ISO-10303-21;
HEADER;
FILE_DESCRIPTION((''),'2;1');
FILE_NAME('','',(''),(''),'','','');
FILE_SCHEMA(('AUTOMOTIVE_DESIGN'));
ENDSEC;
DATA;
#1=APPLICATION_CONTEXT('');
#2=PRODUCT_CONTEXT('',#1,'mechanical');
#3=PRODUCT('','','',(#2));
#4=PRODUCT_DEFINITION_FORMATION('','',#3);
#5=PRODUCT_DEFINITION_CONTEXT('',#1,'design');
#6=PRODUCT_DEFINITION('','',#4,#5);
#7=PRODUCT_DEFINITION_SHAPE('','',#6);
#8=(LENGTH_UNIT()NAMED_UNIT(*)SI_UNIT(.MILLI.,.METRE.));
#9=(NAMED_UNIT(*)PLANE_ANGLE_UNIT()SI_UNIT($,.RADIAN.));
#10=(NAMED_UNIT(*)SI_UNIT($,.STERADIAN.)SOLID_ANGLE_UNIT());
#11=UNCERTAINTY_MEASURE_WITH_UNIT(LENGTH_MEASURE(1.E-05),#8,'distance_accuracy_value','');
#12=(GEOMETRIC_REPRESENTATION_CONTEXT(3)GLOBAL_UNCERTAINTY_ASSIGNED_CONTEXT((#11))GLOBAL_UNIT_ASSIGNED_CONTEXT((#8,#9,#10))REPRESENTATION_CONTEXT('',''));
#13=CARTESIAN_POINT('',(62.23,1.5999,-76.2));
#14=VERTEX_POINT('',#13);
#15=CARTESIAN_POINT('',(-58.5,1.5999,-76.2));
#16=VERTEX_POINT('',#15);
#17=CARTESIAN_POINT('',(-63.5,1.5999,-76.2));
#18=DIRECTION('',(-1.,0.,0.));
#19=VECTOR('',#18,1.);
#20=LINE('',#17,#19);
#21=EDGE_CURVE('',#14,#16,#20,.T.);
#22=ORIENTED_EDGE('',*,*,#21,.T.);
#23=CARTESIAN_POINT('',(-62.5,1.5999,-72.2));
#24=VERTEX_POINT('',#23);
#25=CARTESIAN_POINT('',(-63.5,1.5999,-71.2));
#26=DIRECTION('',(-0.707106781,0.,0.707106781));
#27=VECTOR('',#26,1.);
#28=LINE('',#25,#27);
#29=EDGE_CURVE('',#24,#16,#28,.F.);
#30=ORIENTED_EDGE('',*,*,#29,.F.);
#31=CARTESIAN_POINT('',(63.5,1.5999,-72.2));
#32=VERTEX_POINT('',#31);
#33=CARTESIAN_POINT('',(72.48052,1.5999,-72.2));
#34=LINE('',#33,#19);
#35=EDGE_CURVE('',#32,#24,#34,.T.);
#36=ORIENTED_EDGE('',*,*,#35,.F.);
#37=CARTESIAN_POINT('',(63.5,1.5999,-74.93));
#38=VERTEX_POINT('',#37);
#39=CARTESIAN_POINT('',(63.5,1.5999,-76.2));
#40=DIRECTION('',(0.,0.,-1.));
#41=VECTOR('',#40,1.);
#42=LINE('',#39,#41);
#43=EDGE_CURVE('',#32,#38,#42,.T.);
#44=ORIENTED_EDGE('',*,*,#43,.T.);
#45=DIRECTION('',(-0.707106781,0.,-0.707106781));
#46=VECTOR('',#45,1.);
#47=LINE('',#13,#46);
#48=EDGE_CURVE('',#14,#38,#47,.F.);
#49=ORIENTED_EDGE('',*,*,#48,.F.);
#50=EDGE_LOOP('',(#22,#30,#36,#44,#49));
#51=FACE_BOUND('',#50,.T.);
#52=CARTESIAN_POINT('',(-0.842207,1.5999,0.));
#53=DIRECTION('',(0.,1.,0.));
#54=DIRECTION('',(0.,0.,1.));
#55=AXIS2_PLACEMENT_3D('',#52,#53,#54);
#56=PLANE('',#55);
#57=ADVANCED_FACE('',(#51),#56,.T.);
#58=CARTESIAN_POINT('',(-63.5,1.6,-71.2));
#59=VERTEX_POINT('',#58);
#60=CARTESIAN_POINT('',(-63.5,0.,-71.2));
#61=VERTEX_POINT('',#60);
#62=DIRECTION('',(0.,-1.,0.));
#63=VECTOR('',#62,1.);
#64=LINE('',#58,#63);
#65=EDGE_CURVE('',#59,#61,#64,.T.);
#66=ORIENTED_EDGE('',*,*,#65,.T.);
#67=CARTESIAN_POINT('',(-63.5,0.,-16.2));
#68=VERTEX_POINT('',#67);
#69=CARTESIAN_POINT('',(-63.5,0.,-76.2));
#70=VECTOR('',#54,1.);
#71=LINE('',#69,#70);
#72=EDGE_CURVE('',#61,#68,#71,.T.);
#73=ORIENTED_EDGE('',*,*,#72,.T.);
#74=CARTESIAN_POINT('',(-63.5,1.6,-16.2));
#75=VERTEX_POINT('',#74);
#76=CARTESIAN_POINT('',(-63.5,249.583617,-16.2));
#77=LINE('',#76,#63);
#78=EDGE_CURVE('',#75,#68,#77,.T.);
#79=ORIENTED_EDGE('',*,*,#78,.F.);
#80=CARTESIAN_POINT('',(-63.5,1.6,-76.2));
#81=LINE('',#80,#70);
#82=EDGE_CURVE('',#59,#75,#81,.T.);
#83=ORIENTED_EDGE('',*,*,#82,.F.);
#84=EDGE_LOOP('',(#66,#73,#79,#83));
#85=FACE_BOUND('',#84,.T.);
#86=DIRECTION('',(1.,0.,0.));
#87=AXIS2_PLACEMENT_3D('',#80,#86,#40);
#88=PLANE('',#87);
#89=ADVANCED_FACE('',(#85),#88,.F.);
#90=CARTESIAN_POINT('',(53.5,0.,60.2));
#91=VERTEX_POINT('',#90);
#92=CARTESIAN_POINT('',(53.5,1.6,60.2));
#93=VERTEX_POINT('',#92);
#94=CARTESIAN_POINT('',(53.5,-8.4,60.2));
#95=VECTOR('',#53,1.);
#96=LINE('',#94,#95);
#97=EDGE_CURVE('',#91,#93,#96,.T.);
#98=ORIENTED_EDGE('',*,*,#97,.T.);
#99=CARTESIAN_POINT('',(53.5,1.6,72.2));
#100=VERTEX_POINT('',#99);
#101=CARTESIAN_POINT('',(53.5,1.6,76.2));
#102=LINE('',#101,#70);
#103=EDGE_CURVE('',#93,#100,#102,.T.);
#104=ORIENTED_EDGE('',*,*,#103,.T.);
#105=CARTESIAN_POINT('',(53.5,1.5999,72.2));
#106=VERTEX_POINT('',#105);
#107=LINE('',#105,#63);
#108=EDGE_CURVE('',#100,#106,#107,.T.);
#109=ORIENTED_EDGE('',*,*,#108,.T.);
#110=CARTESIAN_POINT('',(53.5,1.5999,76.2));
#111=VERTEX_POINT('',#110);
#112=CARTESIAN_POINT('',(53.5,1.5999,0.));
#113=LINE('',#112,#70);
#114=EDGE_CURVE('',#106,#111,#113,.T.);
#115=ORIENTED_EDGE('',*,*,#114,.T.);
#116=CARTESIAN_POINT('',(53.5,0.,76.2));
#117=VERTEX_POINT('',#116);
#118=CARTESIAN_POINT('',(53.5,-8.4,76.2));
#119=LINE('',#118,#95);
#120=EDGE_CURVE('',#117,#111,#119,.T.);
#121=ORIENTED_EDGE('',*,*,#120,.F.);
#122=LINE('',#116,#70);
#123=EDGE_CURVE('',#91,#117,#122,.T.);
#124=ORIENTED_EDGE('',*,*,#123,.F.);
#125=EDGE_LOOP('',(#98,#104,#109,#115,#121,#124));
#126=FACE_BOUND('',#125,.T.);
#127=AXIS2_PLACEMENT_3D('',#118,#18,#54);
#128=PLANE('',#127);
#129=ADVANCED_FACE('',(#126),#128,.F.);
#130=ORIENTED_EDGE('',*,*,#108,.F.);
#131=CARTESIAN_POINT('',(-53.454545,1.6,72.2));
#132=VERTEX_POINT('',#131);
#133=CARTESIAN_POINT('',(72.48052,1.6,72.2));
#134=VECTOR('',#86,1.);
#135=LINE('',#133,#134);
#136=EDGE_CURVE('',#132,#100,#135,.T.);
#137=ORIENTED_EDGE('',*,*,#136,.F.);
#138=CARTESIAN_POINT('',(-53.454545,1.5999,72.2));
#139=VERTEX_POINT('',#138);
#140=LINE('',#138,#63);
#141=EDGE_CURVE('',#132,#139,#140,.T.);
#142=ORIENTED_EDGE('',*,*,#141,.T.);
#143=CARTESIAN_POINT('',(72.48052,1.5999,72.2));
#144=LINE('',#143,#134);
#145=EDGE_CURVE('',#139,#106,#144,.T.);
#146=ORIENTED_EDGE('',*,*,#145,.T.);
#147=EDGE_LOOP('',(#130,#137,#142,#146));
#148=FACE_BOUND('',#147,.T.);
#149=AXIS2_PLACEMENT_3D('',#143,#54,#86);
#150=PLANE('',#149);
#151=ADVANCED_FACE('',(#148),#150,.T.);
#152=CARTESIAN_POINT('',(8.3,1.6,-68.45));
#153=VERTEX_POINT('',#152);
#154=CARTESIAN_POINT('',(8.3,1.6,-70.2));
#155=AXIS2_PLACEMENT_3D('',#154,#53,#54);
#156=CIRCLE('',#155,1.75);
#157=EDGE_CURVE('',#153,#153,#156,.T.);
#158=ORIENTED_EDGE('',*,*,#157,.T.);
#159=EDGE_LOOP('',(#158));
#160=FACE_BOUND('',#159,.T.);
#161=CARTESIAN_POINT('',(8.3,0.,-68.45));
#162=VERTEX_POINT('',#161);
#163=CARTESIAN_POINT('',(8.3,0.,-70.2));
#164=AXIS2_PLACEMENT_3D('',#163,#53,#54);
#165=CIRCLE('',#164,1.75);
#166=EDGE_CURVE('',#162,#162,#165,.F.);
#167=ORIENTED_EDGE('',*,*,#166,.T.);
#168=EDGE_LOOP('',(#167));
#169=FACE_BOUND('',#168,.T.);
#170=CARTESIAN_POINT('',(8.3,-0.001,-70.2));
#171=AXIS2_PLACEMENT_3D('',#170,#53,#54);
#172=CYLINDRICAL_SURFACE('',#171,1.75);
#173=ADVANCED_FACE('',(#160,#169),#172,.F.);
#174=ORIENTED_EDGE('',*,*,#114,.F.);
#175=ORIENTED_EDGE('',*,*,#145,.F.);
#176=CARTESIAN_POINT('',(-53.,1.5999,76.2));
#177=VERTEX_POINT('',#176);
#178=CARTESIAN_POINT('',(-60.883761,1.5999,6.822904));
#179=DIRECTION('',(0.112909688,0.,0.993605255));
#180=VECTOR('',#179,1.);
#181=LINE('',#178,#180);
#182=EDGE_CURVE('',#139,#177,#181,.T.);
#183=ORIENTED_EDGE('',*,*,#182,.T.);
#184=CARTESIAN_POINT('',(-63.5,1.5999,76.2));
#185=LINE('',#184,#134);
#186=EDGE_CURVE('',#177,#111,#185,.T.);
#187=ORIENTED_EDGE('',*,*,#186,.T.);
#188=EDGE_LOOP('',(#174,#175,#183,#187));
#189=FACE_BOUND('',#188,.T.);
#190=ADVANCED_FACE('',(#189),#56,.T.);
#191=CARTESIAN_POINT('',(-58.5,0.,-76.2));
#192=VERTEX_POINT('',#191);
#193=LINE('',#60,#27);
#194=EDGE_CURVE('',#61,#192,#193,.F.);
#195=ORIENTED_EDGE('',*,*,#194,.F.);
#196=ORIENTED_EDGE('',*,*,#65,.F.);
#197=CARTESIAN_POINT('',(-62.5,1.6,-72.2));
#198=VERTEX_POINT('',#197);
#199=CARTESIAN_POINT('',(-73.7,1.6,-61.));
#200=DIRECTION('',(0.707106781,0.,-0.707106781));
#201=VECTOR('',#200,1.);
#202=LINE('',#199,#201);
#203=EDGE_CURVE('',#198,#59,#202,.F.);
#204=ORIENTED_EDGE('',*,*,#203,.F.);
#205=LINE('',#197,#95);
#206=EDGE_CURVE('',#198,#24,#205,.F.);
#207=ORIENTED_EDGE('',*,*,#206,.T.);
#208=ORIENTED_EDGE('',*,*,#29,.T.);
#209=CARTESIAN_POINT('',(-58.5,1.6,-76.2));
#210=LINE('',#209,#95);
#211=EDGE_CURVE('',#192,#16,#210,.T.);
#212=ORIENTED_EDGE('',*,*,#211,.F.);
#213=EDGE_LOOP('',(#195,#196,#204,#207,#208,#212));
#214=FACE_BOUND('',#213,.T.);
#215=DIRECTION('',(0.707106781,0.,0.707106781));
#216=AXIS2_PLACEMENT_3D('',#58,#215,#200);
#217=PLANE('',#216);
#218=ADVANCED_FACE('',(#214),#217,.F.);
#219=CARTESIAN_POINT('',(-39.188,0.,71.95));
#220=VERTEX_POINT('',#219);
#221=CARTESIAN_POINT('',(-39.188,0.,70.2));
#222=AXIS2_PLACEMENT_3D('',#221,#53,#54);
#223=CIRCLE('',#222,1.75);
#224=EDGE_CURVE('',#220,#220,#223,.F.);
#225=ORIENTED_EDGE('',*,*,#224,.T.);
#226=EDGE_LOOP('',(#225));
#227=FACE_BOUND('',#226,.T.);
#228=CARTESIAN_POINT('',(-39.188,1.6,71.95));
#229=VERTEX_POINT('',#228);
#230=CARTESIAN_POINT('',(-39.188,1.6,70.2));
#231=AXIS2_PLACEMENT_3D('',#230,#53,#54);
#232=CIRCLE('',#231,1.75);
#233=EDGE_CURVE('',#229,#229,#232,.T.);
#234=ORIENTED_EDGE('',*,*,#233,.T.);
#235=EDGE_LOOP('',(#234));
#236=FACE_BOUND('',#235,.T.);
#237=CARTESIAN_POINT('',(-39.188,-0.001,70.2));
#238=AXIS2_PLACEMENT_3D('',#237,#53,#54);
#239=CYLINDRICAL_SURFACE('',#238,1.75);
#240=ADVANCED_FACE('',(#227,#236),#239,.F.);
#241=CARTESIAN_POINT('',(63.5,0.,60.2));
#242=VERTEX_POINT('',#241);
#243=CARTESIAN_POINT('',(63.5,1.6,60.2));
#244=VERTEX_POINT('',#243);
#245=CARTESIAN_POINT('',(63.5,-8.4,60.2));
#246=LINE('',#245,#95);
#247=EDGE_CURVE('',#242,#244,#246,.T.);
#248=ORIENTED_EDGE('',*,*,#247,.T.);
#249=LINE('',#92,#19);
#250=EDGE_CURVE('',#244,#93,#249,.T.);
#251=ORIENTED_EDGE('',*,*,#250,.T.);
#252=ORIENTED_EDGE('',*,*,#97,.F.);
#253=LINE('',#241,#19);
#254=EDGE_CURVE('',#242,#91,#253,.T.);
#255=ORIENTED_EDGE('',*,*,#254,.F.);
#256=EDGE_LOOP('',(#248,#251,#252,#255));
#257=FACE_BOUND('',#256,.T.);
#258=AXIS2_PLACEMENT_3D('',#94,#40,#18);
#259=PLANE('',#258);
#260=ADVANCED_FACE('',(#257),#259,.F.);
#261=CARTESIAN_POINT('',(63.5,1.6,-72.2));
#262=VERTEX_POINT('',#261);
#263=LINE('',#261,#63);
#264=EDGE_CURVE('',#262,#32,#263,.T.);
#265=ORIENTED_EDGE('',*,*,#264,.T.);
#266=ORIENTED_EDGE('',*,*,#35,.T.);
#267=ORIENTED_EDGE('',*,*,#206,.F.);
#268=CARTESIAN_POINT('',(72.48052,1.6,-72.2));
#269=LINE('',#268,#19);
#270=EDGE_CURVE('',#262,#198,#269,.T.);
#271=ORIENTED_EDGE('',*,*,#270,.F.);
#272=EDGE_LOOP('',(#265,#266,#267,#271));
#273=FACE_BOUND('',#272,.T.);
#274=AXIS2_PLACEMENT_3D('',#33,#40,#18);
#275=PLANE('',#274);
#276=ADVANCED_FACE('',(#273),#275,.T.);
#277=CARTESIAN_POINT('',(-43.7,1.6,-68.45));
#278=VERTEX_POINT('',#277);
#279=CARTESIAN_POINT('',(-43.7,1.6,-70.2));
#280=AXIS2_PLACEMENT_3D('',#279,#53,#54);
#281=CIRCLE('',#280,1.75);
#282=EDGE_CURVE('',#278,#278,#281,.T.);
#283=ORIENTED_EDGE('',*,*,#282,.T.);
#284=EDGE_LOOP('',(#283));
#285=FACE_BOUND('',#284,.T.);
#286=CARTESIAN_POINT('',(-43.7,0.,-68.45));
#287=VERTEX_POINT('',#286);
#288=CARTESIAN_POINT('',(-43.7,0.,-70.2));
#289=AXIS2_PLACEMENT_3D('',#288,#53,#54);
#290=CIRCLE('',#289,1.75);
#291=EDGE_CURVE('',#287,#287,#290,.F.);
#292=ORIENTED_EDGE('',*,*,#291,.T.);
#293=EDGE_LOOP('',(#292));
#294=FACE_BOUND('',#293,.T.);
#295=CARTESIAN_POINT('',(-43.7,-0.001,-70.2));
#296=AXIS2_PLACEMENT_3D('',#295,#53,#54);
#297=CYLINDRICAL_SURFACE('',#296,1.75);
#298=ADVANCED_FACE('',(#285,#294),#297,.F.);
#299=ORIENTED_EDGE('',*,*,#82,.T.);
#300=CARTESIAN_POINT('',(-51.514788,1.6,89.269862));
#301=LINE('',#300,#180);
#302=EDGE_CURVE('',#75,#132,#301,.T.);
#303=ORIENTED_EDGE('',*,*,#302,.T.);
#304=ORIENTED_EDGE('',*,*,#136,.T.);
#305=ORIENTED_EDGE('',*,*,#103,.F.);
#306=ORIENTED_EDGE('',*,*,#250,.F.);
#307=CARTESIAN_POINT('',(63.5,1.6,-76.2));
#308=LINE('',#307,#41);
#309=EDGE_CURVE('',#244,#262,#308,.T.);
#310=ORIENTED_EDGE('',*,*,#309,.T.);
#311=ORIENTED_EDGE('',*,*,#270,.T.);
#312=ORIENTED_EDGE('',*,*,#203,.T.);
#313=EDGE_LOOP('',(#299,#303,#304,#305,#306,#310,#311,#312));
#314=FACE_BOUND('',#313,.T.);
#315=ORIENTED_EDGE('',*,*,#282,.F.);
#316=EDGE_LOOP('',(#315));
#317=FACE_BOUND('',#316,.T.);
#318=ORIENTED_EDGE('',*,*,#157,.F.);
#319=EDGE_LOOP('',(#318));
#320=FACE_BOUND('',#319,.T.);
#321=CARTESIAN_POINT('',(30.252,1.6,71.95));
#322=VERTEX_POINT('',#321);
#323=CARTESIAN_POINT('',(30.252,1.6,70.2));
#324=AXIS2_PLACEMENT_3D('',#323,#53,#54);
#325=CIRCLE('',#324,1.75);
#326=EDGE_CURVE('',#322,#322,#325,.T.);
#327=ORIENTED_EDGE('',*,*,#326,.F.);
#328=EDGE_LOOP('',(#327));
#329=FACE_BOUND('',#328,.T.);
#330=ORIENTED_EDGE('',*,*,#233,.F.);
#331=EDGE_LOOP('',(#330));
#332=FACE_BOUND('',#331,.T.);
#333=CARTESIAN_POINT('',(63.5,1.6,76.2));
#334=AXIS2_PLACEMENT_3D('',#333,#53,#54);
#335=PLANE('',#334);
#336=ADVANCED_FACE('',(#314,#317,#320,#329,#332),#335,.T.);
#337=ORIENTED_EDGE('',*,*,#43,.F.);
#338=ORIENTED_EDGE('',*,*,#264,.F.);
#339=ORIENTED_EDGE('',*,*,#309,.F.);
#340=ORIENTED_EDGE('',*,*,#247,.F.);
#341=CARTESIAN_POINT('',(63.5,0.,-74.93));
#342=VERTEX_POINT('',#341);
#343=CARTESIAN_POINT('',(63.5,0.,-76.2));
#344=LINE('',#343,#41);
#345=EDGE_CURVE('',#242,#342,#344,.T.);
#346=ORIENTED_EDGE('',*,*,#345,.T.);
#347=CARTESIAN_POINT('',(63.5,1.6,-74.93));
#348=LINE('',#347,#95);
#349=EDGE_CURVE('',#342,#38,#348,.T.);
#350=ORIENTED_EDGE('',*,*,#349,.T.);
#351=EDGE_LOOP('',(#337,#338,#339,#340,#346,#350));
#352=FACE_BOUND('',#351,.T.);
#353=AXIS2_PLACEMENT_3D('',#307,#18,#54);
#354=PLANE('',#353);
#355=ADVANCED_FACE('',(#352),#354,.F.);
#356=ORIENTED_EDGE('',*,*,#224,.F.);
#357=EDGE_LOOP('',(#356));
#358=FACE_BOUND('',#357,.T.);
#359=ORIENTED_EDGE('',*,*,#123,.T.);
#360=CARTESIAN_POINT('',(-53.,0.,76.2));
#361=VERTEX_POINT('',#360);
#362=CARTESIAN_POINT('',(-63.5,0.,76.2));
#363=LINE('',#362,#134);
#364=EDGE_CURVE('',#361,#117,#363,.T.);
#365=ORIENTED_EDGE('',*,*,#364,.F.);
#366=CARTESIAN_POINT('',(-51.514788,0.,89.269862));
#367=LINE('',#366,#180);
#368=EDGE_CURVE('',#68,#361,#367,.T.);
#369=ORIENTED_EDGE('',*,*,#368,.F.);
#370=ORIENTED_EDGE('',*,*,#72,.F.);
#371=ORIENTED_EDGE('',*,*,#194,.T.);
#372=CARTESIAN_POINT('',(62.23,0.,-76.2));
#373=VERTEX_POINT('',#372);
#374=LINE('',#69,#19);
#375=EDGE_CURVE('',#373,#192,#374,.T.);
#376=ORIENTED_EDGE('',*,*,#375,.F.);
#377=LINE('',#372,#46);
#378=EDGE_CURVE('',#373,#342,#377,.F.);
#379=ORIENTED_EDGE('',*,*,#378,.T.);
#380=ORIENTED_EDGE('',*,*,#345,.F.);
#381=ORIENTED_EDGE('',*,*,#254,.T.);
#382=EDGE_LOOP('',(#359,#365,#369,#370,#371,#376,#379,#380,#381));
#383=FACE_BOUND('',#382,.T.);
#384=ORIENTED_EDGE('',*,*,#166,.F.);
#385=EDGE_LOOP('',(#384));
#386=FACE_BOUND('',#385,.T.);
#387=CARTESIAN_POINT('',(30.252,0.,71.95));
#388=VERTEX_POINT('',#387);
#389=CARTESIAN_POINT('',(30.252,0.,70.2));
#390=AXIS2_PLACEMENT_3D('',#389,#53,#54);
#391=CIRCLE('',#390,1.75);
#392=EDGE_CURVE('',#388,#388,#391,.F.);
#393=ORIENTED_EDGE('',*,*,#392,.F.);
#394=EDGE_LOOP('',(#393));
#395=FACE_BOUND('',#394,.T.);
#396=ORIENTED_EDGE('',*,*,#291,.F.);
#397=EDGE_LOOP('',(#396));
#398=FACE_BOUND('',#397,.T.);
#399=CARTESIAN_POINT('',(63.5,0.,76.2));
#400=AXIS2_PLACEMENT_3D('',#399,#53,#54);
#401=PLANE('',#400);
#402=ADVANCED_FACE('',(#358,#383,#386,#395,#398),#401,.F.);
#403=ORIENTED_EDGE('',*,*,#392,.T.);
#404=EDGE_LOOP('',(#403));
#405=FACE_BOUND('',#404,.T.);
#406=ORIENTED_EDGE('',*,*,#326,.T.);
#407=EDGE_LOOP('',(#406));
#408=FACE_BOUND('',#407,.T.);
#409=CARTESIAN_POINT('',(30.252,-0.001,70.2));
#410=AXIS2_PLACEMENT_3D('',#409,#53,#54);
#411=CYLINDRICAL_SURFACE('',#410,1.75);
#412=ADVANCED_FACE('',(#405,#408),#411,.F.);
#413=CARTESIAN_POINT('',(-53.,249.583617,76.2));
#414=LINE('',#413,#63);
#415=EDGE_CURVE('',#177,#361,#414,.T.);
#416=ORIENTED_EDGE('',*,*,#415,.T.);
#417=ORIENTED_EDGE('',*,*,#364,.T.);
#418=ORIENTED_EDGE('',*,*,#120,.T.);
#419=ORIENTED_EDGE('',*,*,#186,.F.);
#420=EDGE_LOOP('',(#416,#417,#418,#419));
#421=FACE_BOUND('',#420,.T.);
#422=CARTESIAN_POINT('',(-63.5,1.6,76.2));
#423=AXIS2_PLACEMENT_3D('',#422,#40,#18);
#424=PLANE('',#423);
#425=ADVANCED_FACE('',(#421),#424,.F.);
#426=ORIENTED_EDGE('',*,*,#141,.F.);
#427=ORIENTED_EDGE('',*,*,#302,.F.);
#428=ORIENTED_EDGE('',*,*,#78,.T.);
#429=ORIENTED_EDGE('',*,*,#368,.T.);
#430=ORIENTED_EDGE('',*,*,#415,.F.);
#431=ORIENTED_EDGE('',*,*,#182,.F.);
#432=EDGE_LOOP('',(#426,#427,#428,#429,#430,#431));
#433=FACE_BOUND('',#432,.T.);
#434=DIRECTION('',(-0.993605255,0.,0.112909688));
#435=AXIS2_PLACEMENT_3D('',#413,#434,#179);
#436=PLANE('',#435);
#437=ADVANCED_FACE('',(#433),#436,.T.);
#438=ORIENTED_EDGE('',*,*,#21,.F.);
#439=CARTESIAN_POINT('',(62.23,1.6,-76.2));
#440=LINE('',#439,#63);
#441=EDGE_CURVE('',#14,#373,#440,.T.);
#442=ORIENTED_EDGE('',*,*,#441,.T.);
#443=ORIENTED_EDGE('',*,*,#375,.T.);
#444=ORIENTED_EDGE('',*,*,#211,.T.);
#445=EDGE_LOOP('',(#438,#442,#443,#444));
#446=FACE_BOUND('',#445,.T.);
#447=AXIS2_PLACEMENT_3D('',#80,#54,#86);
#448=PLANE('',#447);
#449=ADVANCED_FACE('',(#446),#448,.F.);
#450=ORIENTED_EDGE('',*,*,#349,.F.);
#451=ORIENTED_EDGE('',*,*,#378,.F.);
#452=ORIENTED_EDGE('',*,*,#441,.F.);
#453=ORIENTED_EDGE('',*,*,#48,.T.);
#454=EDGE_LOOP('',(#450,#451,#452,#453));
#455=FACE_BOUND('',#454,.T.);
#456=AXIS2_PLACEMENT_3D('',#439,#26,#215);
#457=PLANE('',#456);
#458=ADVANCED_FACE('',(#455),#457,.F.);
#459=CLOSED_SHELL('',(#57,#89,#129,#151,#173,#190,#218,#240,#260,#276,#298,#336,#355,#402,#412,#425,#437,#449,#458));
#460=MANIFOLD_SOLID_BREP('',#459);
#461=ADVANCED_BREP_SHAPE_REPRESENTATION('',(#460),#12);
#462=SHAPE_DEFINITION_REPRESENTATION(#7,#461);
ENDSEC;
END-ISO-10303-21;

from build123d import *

# Parameters (mm, degrees)
SKETCH1_W               = 127
SKETCH1_H               = 152.4
BOSS_EXTRUDE1_DEPTH     = 1.6
CHAMFER1_SIZE           = 5
CHAMFER2_SIZE           = 1.27
SKETCH4_OUTSIDE_W       = 168.678
SKETCH4_OUTSIDE_H       = 194.078
SKETCH4_OUTSIDE_W_2     = 146.645454771
SKETCH4_OUTSIDE_H_2     = 144.4
CUT_EXTRUDE3_DEPTH      = 0.0001
CUT_EXTRUDE4_DEPTH      = 100.203074549
CUT_EXTRUDE4_DEPTH_BACK = 100.203074549
SKETCH7_W               = 10
SKETCH7_H               = 16
CUT_EXTRUDE7_DEPTH      = 10
CUT_EXTRUDE8_REACH      = 101.203
SKETCH9_R               = 1.75


with BuildPart() as part:
    # Sketch1 → Boss-Extrude1 (new body)
    with BuildSketch(Plane(origin=(0, 0, 0), x_dir=(1, 0, 0), z_dir=(0, 1, 0))):
        Rectangle(SKETCH1_W, SKETCH1_H)
    extrude(amount=BOSS_EXTRUDE1_DEPTH)

    # Chamfer1
    chamfer1_edges = [part.edges().sort_by_distance(p)[0] for p in [
        (-63.5, 0.8, 76.2),
        (-63.5, 0.8, -76.2),
    ]]
    chamfer(chamfer1_edges, length=CHAMFER1_SIZE)

    # Chamfer2
    chamfer2_edges = [part.edges().sort_by_distance(p)[0] for p in [
        (63.5, 0.8, 76.2),
        (63.5, 0.8, -76.2),
    ]]
    chamfer(chamfer2_edges, length=CHAMFER2_SIZE)

    # Sketch4 outside → Cut-Extrude3 (cut)
    with BuildSketch(Plane(origin=(0, 1.6, 0), x_dir=(-1, 0, 0), z_dir=(0, 1, 0))):
        Rectangle(SKETCH4_OUTSIDE_W, SKETCH4_OUTSIDE_H)
        with Locations((0.842207065, 0)):
            Rectangle(SKETCH4_OUTSIDE_W_2, SKETCH4_OUTSIDE_H_2, mode=Mode.SUBTRACT)
    extrude(amount=-CUT_EXTRUDE3_DEPTH, mode=Mode.SUBTRACT)

    # Sketch5 → Cut-Extrude4 (cut, two sides: drawn at the far end of the back side and taken through both)
    with BuildSketch(Plane(origin=(0, 1.6, 0), x_dir=(1, 0, 0), z_dir=(0, 1, 0)).offset(-CUT_EXTRUDE4_DEPTH_BACK)):
        Polygon((-8.552407118, -467.338817365), (-53, -76.2), (-63.5, 16.2), (-107.947592882, 407.338817365), (-890.225227612, 318.4436316), (-790.830041847, -556.23400313), align=None)
    extrude(amount=CUT_EXTRUDE4_DEPTH + CUT_EXTRUDE4_DEPTH_BACK, mode=Mode.SUBTRACT)

    # Sketch7 → Cut-Extrude7 (cut)
    with BuildSketch(Plane(origin=(0, 1.6, 0), x_dir=(1, 0, 0), z_dir=(0, 1, 0))):
        with Locations((58.5, -68.2)):
            Rectangle(SKETCH7_W, SKETCH7_H)
    extrude(amount=-CUT_EXTRUDE7_DEPTH, mode=Mode.SUBTRACT)

    # Sketch9 → Cut-Extrude8 (cut, up to next)
    with BuildSketch(Plane(origin=(0, 1.6, 0), x_dir=(1, 0, 0), z_dir=(0, 1, 0)), mode=Mode.PRIVATE) as cut_extrude8_sk1:
        with Locations(Location((-43.7, 70.2, 0), (0, 0, 270))):
            Circle(SKETCH9_R)
    cut_extrude8_tool1 = extrude(cut_extrude8_sk1.sketch, amount=-CUT_EXTRUDE8_REACH, mode=Mode.PRIVATE) & part.part
    # Sketch9 → Cut-Extrude8 (cut, up to next)
    with BuildSketch(Plane(origin=(0, 1.6, 0), x_dir=(1, 0, 0), z_dir=(0, 1, 0)), mode=Mode.PRIVATE) as cut_extrude8_sk2:
        with Locations(Location((8.3, 70.2, 0), (0, 0, 270))):
            Circle(SKETCH9_R)
    cut_extrude8_tool2 = extrude(cut_extrude8_sk2.sketch, amount=-CUT_EXTRUDE8_REACH, mode=Mode.PRIVATE) & part.part
    # Sketch9 → Cut-Extrude8 (cut, up to next)
    with BuildSketch(Plane(origin=(0, 1.6, 0), x_dir=(1, 0, 0), z_dir=(0, 1, 0)), mode=Mode.PRIVATE) as cut_extrude8_sk3:
        with Locations(Location((30.252, -70.2, 0), (0, 0, 270))):
            Circle(SKETCH9_R)
    cut_extrude8_tool3 = extrude(cut_extrude8_sk3.sketch, amount=-CUT_EXTRUDE8_REACH, mode=Mode.PRIVATE) & part.part
    # Sketch9 → Cut-Extrude8 (cut, up to next)
    with BuildSketch(Plane(origin=(0, 1.6, 0), x_dir=(1, 0, 0), z_dir=(0, 1, 0)), mode=Mode.PRIVATE) as cut_extrude8_sk4:
        with Locations(Location((-39.188, -70.2, 0), (0, 0, 270))):
            Circle(SKETCH9_R)
    cut_extrude8_tool4 = extrude(cut_extrude8_sk4.sketch, amount=-CUT_EXTRUDE8_REACH, mode=Mode.PRIVATE) & part.part
    add(cut_extrude8_tool1.solids().sort_by_distance((-43.7, 1.6, -70.2))[0], mode=Mode.SUBTRACT)
    add(cut_extrude8_tool2.solids().sort_by_distance((8.3, 1.6, -70.2))[0], mode=Mode.SUBTRACT)
    add(cut_extrude8_tool3.solids().sort_by_distance((30.252, 1.6, 70.2))[0], mode=Mode.SUBTRACT)
    add(cut_extrude8_tool4.solids().sort_by_distance((-39.188, 1.6, 70.2))[0], mode=Mode.SUBTRACT)


solid = part.part
